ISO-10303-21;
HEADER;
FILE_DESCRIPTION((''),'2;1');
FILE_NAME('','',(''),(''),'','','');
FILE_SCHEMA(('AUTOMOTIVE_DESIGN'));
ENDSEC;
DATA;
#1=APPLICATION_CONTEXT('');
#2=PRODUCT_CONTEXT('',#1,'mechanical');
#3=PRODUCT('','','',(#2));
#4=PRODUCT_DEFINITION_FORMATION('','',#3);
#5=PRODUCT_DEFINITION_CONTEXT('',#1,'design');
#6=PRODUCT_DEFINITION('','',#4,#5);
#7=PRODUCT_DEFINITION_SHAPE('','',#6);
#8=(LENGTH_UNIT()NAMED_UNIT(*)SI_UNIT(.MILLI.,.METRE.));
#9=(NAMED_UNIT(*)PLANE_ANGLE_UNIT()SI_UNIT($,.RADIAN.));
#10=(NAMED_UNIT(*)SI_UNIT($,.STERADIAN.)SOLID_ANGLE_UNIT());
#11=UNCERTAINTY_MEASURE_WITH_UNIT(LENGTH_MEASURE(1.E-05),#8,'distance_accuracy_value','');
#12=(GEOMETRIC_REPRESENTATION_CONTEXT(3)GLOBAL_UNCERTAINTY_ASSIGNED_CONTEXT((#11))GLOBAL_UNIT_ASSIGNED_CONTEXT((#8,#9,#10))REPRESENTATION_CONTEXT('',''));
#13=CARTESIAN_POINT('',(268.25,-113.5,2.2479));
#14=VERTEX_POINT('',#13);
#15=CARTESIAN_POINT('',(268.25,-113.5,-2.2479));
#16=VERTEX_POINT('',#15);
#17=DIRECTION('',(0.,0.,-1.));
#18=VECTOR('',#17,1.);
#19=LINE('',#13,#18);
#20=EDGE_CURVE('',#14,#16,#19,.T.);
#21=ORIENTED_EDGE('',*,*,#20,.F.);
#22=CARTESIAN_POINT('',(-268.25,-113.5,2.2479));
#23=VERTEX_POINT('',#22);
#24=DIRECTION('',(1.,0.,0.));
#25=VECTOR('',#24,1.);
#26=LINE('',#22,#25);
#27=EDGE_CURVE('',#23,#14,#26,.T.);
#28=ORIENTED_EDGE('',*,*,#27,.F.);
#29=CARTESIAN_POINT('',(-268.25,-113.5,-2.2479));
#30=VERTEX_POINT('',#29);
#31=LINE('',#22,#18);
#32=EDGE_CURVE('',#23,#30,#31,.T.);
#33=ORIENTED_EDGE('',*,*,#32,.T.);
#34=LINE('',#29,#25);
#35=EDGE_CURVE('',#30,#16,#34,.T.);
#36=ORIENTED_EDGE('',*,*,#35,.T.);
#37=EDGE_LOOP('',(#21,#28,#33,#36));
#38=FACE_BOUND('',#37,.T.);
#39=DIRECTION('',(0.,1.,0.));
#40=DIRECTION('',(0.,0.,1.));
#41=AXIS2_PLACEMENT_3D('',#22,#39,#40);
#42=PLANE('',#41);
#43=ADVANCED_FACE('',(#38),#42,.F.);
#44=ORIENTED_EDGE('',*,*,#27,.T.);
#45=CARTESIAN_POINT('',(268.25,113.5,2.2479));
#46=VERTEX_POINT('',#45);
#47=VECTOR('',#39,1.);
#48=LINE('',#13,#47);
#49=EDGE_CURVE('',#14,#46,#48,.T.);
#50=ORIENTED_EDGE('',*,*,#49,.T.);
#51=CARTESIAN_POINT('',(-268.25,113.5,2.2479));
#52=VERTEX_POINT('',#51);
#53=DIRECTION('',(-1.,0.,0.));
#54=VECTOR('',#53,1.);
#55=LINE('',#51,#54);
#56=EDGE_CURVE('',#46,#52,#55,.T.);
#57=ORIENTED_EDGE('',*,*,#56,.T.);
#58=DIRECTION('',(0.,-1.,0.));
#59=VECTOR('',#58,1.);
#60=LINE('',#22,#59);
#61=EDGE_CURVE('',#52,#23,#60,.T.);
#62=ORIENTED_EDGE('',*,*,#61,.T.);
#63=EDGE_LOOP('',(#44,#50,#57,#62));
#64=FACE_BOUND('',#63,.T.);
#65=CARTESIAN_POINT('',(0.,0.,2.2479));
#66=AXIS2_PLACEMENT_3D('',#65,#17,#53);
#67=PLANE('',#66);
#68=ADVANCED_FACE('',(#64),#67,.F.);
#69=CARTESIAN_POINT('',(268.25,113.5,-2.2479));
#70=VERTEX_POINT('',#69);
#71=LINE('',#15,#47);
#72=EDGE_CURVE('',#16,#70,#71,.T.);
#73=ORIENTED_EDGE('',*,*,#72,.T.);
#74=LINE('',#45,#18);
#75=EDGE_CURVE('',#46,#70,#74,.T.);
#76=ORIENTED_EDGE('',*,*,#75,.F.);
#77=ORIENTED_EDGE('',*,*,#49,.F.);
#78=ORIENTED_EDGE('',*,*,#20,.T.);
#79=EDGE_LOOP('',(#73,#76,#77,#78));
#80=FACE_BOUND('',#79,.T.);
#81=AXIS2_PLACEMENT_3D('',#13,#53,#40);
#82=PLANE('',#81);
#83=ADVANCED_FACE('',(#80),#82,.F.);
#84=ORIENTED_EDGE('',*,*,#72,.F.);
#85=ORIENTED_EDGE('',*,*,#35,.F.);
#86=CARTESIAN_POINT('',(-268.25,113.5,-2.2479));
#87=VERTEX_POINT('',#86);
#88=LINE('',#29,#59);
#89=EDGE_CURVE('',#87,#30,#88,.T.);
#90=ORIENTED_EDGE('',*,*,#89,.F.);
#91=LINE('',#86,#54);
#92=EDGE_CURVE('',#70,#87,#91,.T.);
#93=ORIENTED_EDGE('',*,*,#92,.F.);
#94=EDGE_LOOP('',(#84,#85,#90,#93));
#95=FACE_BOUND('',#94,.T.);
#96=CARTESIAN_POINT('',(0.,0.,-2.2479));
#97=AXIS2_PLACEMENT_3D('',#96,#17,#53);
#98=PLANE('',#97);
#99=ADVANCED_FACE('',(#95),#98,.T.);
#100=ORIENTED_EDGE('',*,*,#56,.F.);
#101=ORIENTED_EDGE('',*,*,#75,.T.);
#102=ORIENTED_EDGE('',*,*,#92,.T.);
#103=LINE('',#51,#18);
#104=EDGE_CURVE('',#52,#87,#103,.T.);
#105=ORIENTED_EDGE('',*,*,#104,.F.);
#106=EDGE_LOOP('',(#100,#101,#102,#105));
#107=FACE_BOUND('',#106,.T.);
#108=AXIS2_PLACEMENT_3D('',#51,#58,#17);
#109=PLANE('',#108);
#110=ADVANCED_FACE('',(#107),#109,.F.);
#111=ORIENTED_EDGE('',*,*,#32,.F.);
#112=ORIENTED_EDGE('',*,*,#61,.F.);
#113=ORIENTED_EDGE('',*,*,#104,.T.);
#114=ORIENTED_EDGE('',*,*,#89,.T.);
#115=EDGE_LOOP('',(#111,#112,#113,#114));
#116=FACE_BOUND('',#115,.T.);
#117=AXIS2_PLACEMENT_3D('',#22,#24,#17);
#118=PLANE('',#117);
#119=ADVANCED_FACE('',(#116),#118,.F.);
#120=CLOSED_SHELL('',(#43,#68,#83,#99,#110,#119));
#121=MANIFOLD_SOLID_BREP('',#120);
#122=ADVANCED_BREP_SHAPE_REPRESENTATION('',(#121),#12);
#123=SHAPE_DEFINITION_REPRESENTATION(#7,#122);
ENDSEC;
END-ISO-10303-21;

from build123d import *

# Parameters (mm, degrees)
SKETCH1_W           = 536.5
SKETCH1_H           = 227
BOSS_EXTRUDE1_DEPTH = 2.2479


with BuildPart() as part:
    # Sketch1 → Boss-Extrude1 (new body, symmetric)
    with BuildSketch(Plane.XY):
        Rectangle(SKETCH1_W, SKETCH1_H)
    extrude(amount=BOSS_EXTRUDE1_DEPTH, both=True)


solid = part.part
